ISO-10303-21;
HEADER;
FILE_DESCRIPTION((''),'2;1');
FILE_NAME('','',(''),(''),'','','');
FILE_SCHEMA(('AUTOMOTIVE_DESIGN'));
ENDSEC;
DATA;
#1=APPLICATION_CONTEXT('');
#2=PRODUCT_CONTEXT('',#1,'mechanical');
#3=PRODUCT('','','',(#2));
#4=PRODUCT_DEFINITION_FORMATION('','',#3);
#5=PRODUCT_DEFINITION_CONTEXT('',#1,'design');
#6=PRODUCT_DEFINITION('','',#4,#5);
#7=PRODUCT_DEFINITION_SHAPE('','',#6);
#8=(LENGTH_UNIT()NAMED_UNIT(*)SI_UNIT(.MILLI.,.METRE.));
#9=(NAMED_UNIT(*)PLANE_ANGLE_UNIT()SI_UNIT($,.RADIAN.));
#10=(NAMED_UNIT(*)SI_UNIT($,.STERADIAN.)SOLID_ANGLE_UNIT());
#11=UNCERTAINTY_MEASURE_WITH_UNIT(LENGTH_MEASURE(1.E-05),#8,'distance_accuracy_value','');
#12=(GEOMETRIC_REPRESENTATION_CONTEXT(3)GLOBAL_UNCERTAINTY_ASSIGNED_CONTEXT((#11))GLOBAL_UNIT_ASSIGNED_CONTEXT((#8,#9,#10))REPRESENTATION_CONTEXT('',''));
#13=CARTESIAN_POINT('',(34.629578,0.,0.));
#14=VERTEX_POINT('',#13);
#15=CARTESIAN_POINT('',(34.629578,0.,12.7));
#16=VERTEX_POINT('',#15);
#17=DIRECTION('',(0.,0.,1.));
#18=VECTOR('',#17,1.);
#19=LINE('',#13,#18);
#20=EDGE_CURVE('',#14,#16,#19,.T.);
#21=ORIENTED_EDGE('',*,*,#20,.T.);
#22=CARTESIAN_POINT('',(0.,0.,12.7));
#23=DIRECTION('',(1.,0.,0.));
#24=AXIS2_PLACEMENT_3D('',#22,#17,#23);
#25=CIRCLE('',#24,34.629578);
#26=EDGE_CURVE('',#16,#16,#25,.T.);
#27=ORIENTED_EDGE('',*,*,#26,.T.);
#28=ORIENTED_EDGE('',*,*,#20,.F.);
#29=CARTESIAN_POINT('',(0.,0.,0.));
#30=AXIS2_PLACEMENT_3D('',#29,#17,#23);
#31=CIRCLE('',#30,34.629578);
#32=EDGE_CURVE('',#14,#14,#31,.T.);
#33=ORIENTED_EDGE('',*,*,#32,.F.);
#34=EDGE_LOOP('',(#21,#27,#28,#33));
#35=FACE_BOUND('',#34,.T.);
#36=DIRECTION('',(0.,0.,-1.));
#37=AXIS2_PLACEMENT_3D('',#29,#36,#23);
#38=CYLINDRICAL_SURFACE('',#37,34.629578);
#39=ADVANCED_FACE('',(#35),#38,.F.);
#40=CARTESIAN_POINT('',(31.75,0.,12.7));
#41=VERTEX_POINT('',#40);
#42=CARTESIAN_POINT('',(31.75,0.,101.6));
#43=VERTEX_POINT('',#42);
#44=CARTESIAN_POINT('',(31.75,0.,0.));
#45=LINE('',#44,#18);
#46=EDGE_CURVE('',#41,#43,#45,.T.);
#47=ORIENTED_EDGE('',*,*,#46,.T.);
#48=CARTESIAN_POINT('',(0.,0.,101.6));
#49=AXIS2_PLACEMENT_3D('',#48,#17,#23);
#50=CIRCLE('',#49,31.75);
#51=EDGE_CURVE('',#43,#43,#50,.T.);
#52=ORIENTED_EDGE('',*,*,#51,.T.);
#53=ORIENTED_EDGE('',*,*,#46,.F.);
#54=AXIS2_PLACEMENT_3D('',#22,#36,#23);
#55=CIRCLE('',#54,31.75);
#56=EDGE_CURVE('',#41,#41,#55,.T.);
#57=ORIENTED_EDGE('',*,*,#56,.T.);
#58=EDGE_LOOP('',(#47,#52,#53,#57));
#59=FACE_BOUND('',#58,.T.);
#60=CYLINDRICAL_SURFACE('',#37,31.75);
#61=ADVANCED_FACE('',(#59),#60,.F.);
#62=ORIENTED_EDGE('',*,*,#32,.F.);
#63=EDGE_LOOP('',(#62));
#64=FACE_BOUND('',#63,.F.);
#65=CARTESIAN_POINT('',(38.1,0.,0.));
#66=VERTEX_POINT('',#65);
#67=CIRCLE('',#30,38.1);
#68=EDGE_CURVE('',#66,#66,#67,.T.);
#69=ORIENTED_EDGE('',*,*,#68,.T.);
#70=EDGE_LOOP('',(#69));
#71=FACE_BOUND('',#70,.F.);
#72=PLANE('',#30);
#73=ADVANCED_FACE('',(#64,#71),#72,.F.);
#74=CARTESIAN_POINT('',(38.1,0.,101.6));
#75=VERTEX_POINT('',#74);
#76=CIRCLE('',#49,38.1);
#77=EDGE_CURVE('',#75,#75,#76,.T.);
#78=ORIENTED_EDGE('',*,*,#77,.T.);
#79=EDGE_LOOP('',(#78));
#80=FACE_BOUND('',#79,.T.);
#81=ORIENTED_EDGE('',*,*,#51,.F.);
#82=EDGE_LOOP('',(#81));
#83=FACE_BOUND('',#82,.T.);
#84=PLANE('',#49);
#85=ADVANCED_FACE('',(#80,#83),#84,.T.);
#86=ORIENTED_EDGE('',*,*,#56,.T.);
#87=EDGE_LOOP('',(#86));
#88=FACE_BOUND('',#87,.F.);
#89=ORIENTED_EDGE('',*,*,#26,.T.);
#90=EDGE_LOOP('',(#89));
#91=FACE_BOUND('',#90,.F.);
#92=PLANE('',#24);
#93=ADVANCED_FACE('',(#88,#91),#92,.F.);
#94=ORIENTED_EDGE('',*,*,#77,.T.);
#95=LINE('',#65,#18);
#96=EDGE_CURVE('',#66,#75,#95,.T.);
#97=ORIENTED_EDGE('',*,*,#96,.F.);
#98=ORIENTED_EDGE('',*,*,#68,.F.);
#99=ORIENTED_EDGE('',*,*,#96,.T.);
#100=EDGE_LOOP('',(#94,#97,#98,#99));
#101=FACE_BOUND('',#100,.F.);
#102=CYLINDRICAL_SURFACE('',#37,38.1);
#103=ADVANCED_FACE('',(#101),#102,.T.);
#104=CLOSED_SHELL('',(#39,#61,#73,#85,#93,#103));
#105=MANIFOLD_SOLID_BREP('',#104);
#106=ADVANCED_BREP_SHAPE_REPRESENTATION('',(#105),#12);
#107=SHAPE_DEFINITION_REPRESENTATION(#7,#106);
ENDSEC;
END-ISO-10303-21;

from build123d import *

# Parameters (mm, degrees)
F0_R     = 38.1
F0_R_2   = 31.75
F1_DEPTH = 101.6
F2_R     = 34.629578
F3_DEPTH = 12.7


with BuildPart() as f1:
    # F0 (on Top) → F1 (new body)
    with BuildSketch(Plane.XY):
        Circle(F0_R)
        Circle(F0_R_2, mode=Mode.SUBTRACT)
    extrude(amount=F1_DEPTH)

    # F2 (on Top) → F3 (cut)
    with BuildSketch(Plane.XY):
        Circle(F2_R)
    extrude(amount=F3_DEPTH, mode=Mode.SUBTRACT)


solid = f1.part
